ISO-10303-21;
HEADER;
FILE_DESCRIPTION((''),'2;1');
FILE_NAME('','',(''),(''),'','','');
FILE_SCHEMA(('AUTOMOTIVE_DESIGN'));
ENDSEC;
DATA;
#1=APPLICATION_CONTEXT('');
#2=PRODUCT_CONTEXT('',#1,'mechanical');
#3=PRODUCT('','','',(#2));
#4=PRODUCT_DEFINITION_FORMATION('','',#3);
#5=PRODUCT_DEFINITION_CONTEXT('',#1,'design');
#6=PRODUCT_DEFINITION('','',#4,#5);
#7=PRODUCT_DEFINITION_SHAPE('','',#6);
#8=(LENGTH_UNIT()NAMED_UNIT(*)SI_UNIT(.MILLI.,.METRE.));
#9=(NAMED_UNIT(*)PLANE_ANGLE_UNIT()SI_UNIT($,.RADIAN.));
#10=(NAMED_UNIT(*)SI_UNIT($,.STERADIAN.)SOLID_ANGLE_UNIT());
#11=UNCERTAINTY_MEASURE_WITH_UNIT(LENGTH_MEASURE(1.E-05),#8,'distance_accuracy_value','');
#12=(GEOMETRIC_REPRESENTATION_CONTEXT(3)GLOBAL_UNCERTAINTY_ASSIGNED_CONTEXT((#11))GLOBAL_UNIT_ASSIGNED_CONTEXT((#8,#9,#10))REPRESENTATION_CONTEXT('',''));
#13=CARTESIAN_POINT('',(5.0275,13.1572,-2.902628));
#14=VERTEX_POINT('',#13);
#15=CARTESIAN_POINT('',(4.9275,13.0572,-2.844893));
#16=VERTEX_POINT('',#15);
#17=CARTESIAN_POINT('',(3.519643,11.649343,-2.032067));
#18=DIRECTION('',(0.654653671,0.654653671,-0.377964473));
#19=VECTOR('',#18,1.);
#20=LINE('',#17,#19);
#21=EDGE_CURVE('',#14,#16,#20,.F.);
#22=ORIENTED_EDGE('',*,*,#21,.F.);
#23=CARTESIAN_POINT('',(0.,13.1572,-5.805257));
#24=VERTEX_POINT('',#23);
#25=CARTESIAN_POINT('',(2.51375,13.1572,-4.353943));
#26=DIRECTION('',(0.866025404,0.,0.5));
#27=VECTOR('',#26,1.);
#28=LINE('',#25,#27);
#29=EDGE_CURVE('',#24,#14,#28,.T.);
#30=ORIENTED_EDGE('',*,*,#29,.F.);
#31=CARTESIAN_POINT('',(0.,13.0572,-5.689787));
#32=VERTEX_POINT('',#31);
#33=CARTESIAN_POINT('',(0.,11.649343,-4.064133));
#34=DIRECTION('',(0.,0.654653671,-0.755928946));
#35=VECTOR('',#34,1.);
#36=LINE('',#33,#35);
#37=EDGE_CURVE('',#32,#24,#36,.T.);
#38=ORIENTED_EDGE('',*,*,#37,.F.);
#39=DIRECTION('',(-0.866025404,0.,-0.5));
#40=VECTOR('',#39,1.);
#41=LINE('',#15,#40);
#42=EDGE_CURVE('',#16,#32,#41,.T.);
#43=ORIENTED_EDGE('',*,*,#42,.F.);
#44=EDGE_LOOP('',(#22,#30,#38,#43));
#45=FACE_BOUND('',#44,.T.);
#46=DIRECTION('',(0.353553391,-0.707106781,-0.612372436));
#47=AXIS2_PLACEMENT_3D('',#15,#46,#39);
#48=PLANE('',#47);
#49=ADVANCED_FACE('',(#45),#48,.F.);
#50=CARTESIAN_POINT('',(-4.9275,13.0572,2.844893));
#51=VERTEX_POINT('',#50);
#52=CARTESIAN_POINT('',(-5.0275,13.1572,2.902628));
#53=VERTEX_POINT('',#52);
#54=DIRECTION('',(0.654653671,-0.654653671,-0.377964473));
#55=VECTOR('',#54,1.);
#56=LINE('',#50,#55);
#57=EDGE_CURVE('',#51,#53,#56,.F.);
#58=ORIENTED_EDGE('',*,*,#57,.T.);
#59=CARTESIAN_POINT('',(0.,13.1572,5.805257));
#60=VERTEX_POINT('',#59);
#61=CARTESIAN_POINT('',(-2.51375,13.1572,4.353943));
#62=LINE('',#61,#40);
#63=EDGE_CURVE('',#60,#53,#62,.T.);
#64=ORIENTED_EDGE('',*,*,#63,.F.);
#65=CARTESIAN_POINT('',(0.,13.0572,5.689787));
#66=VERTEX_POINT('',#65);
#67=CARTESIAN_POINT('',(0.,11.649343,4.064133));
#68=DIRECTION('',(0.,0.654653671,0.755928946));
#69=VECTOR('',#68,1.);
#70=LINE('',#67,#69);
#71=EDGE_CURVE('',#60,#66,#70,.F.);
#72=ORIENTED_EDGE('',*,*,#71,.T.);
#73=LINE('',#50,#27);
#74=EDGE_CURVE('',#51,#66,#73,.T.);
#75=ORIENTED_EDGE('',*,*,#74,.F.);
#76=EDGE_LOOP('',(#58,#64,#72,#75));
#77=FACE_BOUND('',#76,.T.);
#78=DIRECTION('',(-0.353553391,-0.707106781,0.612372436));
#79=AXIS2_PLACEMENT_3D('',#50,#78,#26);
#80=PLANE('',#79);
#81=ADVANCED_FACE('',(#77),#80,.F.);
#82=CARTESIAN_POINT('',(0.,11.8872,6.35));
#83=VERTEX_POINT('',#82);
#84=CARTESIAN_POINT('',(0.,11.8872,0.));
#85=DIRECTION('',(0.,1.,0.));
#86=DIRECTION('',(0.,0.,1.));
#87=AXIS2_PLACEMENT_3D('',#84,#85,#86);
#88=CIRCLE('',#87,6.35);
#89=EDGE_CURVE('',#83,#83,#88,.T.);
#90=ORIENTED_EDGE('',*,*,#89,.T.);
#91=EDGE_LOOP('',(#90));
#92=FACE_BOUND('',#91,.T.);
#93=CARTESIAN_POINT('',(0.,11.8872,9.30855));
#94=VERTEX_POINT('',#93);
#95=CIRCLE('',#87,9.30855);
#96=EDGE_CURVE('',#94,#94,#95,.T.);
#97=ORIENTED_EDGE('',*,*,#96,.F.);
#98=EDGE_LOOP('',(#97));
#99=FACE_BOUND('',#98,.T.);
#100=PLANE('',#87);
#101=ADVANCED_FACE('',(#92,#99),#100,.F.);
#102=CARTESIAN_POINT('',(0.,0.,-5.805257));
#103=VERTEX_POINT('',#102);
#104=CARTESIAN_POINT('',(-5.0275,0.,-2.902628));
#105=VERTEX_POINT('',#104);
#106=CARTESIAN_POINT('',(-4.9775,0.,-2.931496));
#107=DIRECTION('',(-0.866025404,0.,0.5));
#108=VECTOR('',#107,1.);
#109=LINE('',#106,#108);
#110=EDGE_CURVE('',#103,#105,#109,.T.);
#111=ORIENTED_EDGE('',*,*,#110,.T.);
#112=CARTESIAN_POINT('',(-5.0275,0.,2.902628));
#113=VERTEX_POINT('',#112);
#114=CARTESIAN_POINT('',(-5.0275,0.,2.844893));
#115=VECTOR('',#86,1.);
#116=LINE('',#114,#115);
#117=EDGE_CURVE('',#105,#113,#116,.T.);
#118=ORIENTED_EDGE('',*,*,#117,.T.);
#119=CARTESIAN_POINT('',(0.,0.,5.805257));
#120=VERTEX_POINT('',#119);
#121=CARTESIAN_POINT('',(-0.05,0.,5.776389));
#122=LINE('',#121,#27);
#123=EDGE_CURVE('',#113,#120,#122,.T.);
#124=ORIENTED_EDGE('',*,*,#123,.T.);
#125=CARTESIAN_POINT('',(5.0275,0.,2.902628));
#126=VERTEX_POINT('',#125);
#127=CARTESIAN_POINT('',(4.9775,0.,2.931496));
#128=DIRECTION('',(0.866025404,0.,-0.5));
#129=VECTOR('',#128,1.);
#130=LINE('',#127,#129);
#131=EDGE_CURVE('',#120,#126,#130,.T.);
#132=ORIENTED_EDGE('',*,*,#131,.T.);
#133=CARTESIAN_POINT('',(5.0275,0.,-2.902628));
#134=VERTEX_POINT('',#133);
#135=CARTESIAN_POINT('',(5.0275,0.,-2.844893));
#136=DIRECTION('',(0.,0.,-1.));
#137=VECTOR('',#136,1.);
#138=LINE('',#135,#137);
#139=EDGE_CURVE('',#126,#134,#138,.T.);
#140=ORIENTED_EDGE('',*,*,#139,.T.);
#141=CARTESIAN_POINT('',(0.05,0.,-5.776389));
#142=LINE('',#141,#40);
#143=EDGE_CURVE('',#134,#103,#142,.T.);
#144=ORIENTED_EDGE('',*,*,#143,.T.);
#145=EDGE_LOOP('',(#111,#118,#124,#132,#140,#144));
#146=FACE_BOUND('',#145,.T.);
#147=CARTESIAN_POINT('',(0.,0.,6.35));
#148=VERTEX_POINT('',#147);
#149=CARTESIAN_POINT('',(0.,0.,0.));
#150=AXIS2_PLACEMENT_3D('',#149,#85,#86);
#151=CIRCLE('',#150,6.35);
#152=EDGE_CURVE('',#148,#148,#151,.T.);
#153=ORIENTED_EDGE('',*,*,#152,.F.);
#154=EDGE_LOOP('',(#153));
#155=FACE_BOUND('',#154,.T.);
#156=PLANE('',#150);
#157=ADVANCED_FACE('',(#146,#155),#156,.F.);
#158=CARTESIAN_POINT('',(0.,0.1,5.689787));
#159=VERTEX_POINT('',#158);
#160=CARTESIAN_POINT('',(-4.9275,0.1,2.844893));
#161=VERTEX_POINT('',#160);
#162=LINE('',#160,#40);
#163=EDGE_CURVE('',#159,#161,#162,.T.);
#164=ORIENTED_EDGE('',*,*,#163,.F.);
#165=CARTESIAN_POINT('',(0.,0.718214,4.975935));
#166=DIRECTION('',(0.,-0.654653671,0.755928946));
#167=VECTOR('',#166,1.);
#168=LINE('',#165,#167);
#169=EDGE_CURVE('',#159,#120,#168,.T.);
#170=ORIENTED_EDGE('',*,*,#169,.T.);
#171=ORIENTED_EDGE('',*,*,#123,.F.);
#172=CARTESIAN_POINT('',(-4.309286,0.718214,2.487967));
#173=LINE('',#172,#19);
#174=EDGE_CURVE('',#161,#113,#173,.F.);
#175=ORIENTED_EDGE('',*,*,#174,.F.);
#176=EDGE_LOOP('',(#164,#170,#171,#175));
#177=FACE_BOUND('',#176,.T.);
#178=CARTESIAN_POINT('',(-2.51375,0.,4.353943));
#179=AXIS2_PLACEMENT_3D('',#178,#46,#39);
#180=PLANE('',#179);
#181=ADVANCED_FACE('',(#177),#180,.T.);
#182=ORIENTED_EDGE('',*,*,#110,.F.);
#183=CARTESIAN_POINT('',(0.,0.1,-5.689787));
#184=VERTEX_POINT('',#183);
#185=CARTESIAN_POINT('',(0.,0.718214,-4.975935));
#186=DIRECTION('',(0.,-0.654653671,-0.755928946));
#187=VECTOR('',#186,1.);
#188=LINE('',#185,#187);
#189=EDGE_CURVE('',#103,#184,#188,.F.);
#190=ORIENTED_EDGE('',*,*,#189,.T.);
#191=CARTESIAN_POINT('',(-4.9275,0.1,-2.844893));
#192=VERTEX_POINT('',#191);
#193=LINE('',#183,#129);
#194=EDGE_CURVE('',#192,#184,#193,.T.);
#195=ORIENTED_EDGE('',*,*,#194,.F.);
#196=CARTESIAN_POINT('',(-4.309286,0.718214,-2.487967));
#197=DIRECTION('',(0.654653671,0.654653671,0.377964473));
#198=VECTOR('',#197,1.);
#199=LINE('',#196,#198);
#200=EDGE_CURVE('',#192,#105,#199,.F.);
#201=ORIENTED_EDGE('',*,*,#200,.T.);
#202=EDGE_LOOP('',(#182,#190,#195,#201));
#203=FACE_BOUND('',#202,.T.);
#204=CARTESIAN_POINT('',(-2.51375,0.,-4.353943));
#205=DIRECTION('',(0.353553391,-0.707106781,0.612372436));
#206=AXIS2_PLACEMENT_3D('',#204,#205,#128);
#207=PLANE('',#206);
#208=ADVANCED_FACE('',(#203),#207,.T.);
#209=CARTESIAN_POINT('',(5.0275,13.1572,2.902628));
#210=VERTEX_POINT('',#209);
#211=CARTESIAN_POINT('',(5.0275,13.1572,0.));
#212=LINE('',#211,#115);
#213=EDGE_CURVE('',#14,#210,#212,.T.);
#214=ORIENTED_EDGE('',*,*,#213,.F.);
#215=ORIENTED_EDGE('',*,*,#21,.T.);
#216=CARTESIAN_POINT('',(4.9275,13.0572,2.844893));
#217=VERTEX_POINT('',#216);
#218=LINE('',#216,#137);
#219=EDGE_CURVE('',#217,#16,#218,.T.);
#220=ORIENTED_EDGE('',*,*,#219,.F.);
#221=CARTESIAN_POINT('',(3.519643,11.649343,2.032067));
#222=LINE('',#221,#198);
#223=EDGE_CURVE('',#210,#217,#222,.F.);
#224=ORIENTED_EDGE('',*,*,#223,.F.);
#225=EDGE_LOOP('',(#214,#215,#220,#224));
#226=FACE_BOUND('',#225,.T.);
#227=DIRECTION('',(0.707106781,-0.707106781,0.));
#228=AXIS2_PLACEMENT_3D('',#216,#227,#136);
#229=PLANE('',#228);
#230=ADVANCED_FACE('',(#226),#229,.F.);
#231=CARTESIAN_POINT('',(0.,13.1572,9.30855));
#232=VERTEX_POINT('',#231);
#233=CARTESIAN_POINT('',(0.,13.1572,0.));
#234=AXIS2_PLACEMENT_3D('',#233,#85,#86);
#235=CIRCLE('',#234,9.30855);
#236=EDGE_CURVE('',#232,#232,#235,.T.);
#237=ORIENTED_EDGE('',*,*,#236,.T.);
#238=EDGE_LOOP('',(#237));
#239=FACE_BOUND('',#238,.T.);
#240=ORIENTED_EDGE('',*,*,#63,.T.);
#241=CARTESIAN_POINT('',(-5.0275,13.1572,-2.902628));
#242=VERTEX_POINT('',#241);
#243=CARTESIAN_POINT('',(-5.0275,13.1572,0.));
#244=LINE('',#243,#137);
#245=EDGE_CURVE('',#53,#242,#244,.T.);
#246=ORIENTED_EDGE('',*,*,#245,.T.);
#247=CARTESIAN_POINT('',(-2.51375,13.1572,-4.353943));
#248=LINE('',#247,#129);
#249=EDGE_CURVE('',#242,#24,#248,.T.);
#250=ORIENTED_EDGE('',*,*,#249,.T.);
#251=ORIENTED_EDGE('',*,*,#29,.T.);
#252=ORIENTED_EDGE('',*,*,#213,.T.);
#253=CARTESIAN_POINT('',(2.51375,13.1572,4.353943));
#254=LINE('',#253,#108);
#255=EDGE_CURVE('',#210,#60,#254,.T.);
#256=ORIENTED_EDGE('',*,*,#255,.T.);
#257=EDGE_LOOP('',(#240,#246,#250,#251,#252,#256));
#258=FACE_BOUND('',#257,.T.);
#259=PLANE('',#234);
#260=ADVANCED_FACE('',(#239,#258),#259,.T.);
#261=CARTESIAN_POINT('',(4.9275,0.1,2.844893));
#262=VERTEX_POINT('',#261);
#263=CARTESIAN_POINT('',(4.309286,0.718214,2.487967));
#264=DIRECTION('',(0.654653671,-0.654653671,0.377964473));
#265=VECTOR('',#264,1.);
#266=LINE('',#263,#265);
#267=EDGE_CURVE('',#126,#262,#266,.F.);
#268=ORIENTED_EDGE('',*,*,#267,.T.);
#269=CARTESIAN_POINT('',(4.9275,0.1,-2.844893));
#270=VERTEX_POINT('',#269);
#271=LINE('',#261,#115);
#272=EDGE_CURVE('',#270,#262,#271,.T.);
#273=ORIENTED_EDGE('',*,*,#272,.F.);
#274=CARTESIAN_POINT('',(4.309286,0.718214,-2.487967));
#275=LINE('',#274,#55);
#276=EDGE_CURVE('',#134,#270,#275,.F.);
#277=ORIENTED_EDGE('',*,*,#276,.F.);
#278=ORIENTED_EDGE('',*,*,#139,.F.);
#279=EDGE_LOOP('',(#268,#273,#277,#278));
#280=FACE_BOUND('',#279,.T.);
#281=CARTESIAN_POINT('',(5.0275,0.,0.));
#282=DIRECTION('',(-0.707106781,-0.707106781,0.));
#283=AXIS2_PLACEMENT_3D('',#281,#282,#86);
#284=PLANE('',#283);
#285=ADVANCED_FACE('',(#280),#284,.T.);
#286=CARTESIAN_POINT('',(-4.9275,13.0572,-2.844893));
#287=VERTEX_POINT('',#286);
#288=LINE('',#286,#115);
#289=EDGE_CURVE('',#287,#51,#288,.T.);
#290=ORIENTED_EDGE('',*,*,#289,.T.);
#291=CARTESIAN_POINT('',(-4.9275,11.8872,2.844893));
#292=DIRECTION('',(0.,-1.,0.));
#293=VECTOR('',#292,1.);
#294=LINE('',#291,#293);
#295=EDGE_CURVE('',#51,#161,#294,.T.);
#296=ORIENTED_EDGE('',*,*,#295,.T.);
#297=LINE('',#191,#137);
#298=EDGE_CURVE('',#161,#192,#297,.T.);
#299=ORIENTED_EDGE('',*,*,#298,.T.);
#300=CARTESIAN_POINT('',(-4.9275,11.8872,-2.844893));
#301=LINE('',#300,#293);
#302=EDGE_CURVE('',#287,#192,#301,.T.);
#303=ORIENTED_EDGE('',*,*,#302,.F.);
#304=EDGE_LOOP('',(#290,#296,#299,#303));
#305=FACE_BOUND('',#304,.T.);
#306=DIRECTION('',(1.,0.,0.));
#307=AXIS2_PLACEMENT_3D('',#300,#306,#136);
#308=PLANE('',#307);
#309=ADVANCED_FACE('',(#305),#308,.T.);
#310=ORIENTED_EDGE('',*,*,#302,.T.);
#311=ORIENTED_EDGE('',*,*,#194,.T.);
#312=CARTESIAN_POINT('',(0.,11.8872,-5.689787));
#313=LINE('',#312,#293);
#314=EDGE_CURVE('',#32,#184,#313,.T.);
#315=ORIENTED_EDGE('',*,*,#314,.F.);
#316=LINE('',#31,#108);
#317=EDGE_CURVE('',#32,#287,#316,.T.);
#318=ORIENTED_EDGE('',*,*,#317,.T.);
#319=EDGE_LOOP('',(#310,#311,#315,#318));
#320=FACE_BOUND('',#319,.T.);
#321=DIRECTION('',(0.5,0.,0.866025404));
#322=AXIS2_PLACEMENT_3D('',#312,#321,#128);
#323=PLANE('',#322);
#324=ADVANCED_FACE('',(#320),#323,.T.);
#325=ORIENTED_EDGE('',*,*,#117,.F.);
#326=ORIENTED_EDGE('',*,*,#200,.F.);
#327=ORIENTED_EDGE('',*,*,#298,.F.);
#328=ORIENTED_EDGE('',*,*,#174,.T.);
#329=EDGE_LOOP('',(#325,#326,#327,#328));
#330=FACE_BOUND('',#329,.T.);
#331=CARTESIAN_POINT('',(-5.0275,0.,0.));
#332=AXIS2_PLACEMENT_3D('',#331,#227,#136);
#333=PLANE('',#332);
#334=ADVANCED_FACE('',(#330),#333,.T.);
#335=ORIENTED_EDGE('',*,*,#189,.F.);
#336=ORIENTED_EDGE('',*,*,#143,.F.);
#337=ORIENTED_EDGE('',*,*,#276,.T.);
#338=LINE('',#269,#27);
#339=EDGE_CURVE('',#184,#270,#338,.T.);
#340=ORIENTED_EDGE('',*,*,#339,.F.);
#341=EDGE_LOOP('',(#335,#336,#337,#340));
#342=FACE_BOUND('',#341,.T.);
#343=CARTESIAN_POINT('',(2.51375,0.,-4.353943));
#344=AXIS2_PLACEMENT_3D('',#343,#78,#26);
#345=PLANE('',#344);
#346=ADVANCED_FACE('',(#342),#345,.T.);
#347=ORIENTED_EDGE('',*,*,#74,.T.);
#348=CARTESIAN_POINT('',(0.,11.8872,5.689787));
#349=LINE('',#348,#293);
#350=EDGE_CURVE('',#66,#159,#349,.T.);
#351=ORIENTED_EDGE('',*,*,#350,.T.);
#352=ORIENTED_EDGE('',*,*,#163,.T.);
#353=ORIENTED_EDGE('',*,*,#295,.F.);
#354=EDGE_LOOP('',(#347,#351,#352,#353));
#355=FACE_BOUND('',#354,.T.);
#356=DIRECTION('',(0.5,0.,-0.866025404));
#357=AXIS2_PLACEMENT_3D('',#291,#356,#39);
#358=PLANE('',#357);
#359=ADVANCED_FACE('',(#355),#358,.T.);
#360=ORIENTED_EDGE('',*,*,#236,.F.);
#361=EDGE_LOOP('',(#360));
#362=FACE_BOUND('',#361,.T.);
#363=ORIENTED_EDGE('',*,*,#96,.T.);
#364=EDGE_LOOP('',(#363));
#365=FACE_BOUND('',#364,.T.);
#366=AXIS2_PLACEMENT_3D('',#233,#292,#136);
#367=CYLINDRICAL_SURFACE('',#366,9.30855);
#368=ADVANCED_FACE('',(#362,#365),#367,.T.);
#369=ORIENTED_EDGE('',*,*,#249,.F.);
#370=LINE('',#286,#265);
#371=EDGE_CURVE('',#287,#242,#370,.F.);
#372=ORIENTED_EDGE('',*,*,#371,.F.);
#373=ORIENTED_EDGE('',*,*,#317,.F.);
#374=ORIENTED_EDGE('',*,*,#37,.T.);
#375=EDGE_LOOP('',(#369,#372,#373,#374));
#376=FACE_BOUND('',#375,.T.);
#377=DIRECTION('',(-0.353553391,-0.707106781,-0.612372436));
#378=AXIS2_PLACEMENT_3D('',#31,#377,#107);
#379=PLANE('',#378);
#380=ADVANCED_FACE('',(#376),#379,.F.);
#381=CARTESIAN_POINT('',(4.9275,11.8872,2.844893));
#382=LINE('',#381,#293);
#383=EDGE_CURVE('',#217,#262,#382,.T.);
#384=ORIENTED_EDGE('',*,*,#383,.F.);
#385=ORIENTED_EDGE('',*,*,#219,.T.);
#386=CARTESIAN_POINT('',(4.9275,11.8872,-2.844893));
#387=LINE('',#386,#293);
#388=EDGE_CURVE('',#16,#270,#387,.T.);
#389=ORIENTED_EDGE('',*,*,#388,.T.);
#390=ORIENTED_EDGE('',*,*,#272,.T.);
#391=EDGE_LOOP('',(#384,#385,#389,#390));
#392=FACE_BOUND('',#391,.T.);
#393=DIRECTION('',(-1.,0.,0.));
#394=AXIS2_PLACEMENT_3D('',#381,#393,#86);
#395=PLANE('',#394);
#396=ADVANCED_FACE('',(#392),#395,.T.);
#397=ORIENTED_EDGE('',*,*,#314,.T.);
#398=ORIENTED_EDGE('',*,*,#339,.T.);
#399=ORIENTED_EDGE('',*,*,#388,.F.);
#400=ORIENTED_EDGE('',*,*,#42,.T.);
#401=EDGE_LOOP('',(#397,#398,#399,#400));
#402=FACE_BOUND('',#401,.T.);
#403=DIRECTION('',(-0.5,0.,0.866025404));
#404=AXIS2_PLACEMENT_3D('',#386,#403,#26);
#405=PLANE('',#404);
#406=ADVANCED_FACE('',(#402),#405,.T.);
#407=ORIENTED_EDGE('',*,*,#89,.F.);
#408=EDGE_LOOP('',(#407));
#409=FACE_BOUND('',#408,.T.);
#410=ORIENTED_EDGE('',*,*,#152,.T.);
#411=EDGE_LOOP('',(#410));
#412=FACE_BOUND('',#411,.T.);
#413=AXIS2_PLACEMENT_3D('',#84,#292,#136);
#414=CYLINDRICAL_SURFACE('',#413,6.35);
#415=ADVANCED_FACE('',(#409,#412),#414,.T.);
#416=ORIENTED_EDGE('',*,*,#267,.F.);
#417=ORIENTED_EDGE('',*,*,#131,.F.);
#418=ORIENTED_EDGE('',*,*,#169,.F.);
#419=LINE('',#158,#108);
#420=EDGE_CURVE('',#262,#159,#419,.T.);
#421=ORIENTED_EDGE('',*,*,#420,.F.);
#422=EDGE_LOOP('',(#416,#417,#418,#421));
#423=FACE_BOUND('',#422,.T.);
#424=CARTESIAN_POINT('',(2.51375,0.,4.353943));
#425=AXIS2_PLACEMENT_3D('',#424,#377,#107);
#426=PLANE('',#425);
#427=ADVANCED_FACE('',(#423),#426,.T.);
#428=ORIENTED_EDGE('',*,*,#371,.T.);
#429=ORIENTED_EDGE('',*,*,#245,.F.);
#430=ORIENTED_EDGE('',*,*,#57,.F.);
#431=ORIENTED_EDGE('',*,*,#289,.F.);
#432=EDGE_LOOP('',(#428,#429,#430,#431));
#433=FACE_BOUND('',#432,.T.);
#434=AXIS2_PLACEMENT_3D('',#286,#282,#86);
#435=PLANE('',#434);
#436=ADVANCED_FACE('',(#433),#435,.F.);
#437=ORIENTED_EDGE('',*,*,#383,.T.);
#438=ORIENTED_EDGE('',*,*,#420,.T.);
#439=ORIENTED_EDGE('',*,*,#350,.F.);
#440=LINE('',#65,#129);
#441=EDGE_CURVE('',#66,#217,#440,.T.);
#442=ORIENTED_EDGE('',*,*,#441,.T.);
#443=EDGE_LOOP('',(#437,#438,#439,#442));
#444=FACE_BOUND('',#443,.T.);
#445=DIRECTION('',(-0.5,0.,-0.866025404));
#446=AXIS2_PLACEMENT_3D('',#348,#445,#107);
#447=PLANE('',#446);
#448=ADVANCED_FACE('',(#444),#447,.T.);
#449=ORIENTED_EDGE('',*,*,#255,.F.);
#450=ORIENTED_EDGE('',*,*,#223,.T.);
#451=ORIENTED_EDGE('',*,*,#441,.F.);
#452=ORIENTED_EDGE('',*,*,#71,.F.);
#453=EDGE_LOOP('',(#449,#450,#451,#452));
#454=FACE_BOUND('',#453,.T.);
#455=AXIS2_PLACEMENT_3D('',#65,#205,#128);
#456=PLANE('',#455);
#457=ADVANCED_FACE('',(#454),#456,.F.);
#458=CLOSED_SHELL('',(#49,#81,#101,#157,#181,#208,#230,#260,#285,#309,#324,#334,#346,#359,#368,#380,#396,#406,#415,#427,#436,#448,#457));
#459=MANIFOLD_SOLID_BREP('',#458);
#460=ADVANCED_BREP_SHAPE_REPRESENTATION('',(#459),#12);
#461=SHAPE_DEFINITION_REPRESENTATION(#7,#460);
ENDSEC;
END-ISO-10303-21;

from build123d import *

# Parameters (mm, degrees)
SKETCH1_R           = 6.35
BOSS_EXTRUDE1_DEPTH = 11.8872
SKETCH2_R           = 9.308550363
BOSS_EXTRUDE2_DEPTH = 1.27
CHAMFER1_SIZE       = 0.1
CHAMFER2_SIZE       = 0.1


with BuildPart() as part:
    # Sketch1 → Boss-Extrude1 (new body)
    with BuildSketch(Plane(origin=(0, 0, 0), x_dir=(1, 0, 0), z_dir=(0, 1, 0))):
        with Locations(Location((0, 0, 0), (0, 0, 270))):
            Circle(SKETCH1_R)
        Polygon((0, 5.689786881), (-4.927499981, 2.84489344), (-4.927499981, -2.84489344), (0, -5.689786881), (4.927499981, -2.84489344), (4.927499981, 2.84489344), align=None, mode=Mode.SUBTRACT)
    extrude(amount=BOSS_EXTRUDE1_DEPTH)

    # Sketch2 → Boss-Extrude2 (add)
    with BuildSketch(Plane(origin=(0, 11.8872, 0), x_dir=(1, 0, 0), z_dir=(0, 1, 0))):
        with Locations(Location((0, 0, 0), (0, 0, 270))):
            Circle(SKETCH2_R)
        Polygon((0, 5.689786881), (-4.927499981, 2.84489344), (-4.927499981, -2.84489344), (0, -5.689786881), (4.927499981, -2.84489344), (4.927499981, 2.84489344), align=None, mode=Mode.SUBTRACT)
    extrude(amount=BOSS_EXTRUDE2_DEPTH)

    # Chamfer1
    chamfer1_edges = [part.edges().sort_by_distance(p)[0] for p in [
        (-4.927499981, 0, 0),
        (-2.46374999, 0, 4.267340161),
        (2.463749991, 0, 4.267340161),
        (4.927499981, 0, 0),
        (2.46374999, 0, -4.267340161),
        (-2.463749991, 0, -4.267340161),
    ]]
    chamfer(chamfer1_edges, length=CHAMFER1_SIZE)

    # Chamfer2
    chamfer2_edges = [part.edges().sort_by_distance(p)[0] for p in [
        (2.46374999, 13.1572, -4.267340161),
        (-2.463749991, 13.1572, -4.267340161),
        (-4.927499981, 13.1572, 0),
        (-2.46374999, 13.1572, 4.267340161),
        (2.463749991, 13.1572, 4.267340161),
        (4.927499981, 13.1572, 0),
    ]]
    chamfer(chamfer2_edges, length=CHAMFER2_SIZE)


solid = part.part
